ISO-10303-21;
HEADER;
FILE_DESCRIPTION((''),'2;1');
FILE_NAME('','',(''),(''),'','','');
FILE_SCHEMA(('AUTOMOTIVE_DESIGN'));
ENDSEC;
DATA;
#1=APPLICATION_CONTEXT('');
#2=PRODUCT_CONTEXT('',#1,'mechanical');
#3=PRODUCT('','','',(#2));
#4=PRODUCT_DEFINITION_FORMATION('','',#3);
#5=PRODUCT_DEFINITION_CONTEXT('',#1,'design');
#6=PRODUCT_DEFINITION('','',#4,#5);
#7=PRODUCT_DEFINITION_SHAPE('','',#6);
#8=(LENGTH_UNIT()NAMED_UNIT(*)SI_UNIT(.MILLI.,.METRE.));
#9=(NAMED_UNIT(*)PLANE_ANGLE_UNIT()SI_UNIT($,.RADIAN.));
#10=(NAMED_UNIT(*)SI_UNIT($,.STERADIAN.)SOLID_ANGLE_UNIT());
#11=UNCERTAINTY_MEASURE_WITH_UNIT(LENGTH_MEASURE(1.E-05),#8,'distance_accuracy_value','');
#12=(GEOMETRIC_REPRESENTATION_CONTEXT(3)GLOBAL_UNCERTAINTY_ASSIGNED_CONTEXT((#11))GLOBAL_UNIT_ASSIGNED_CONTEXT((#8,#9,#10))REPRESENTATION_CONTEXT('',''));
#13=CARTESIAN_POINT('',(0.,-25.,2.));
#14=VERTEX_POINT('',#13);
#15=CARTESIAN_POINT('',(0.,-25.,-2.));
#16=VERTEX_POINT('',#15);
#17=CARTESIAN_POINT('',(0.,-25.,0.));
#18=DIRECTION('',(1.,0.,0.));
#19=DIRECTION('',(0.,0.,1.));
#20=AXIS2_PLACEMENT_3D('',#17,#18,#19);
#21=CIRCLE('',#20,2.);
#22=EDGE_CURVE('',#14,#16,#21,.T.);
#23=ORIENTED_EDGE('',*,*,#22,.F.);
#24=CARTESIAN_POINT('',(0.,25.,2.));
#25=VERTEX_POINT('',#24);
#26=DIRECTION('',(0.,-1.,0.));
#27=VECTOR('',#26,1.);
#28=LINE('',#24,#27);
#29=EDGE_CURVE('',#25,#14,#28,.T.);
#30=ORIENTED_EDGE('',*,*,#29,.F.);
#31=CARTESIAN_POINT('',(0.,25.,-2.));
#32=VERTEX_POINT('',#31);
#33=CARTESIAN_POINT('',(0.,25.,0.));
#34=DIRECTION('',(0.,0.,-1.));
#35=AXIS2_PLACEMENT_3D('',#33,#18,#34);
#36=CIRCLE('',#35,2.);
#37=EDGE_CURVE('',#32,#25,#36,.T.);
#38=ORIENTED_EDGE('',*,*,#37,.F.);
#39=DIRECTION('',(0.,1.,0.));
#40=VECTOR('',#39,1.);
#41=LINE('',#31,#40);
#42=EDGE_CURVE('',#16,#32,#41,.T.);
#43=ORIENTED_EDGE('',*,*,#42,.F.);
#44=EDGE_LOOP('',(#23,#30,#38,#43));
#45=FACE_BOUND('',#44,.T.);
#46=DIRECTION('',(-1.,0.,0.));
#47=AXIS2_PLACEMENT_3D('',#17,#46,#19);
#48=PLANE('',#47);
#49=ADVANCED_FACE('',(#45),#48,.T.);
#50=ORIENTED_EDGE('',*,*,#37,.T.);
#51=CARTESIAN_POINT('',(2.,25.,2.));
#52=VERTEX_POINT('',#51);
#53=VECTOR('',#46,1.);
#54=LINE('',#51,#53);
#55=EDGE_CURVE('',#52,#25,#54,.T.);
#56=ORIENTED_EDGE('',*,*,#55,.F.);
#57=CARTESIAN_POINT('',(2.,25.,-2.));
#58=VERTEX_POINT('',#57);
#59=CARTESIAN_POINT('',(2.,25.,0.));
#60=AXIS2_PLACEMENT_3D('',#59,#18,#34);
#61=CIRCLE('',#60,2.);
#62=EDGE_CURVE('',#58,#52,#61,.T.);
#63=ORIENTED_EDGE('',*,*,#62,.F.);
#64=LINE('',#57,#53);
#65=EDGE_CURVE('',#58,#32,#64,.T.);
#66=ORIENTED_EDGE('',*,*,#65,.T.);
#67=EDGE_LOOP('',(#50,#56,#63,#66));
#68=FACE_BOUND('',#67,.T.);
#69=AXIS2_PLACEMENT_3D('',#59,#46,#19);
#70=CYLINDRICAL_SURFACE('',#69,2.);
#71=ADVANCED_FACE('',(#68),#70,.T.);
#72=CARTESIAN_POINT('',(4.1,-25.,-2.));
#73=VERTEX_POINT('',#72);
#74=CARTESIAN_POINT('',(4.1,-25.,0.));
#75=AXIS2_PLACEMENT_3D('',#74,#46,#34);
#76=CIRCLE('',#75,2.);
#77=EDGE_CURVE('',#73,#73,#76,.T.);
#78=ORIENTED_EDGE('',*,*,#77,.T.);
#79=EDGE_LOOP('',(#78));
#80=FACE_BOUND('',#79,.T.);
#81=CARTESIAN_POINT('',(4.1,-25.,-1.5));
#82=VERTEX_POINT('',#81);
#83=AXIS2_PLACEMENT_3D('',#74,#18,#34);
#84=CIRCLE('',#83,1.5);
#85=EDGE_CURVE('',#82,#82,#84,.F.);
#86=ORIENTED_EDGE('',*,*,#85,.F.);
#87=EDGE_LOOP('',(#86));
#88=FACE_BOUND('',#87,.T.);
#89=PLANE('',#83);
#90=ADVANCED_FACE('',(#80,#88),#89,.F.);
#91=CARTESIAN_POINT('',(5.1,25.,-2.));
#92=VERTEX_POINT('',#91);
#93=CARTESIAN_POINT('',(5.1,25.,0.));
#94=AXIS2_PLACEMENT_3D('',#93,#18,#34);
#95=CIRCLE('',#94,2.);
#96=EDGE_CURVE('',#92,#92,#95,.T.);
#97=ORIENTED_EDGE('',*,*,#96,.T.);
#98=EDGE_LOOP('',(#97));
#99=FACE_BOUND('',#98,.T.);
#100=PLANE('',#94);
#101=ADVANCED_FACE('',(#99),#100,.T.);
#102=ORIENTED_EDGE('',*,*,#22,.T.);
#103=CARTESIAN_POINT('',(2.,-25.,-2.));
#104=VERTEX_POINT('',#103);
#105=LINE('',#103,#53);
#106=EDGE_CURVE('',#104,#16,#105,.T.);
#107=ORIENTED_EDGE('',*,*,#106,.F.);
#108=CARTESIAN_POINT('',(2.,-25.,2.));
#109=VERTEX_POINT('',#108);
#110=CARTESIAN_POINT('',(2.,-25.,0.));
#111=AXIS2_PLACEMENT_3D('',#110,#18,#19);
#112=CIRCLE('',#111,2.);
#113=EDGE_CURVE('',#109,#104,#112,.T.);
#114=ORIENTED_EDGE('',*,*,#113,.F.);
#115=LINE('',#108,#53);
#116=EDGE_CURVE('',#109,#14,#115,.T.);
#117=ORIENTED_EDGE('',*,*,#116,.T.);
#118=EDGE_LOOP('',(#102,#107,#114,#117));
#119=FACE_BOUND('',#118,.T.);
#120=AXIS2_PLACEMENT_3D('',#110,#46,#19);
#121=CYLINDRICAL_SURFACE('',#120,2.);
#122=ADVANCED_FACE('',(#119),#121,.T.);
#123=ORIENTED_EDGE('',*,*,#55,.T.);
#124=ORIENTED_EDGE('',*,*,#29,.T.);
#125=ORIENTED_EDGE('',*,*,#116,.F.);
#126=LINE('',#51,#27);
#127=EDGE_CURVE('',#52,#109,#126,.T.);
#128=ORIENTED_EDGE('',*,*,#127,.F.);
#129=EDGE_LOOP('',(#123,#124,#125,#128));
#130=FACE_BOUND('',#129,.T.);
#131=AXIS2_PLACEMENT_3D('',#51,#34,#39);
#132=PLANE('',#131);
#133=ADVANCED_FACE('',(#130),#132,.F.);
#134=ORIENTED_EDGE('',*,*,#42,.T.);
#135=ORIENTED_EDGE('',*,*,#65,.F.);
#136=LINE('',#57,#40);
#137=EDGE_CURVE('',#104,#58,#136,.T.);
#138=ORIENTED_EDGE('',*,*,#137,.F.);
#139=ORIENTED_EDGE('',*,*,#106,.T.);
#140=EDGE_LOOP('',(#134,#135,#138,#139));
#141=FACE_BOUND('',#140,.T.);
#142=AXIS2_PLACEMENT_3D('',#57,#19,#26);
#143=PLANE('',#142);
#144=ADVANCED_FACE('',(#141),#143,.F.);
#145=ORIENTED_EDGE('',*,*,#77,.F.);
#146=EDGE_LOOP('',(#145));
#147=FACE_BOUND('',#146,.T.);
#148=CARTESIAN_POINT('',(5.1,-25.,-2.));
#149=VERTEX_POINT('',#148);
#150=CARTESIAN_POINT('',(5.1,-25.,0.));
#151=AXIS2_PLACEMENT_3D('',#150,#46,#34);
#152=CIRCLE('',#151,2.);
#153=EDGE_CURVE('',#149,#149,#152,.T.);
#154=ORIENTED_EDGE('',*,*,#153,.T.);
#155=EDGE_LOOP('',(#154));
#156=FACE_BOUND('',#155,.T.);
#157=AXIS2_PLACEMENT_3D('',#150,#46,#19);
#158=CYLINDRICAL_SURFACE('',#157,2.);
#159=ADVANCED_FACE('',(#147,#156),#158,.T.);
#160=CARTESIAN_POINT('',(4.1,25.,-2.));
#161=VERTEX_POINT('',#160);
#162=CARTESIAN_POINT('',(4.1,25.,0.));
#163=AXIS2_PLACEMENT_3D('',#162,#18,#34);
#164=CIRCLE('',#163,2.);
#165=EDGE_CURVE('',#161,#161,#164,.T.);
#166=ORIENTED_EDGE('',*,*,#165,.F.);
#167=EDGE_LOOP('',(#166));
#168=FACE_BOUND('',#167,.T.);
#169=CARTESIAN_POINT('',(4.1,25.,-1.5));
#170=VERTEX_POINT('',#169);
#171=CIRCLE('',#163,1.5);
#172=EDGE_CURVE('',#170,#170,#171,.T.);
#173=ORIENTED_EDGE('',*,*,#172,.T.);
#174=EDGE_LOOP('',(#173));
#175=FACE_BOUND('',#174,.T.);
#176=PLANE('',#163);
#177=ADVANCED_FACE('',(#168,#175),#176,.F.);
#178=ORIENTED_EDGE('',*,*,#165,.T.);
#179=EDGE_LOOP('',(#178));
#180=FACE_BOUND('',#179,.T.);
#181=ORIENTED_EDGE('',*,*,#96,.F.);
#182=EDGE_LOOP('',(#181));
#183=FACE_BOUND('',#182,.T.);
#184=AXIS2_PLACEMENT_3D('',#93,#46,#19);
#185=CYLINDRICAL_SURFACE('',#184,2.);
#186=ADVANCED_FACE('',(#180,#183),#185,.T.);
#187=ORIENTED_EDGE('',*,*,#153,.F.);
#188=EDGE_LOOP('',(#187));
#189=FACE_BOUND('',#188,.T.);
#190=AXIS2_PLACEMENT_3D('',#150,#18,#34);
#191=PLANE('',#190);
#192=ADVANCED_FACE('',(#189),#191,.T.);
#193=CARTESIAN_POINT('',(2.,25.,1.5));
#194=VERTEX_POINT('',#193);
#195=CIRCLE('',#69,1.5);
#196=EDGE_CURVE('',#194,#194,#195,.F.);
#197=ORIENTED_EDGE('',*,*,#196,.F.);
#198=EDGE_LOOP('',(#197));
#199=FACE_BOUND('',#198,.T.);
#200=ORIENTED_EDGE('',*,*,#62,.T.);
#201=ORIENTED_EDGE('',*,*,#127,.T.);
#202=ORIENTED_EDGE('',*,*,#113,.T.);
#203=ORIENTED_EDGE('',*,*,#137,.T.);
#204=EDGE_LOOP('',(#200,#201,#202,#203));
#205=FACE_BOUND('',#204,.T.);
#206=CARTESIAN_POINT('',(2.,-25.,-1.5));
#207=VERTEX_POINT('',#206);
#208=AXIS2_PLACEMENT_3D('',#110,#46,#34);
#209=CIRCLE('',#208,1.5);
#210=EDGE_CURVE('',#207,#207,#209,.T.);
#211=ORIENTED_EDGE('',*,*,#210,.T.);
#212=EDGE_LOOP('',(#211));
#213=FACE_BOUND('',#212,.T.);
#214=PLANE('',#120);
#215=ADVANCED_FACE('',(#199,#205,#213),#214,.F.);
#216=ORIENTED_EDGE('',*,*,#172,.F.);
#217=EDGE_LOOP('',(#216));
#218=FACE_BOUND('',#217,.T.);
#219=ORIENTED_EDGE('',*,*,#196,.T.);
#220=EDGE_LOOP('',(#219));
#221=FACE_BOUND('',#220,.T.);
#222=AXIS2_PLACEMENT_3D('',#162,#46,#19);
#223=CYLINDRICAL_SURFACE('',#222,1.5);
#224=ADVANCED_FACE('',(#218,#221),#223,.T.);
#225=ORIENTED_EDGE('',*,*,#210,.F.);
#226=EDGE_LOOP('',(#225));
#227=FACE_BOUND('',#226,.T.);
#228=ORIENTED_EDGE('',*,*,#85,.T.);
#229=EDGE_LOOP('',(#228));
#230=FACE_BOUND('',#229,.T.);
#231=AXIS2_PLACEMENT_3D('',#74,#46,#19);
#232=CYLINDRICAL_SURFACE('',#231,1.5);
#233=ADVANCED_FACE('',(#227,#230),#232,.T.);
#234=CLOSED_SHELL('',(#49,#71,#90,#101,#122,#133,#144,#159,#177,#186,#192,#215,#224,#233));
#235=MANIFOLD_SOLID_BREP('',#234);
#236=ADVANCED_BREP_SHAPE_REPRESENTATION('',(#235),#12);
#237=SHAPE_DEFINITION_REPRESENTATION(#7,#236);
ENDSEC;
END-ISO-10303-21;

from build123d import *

# Parameters (mm, degrees)
BASE_DEPTH         = 2
ESQUISSE2_R        = 1.5
BOSS_FIX_DEPTH     = 2.1
ESQUISSE3_R        = 2
BOSS_BLOCAGE_DEPTH = 1


with BuildPart() as part:
    # Esquisse1 → BASE (new body)
    with BuildSketch(Plane(origin=(0, 0, 0), x_dir=(0, 0, -1), z_dir=(1, 0, 0))):
        with BuildLine():
            Line((2, 25), (2, -25))
            ThreePointArc((2, -25), (0, -27), (-2, -25))
            Line((-2, -25), (-2, 25))
            ThreePointArc((-2, 25), (0, 27), (2, 25))
        make_face()
    extrude(amount=BASE_DEPTH)

    # Esquisse2 → BOSS FIX (add)
    with BuildSketch(Plane(origin=(2, 0, 0), x_dir=(0, 0, -1), z_dir=(1, 0, 0))):
        with Locations(Location((0, 25, 0), (0, 0, 180))):
            Circle(ESQUISSE2_R)
    boss_fix = extrude(amount=BOSS_FIX_DEPTH)

    # Esquisse3 → BOSS BLOCAGE (add)
    with BuildSketch(Plane(origin=(4.1, 0, 0), x_dir=(0, 0, -1), z_dir=(1, 0, 0))):
        with Locations((0, 25)):
            Circle(ESQUISSE3_R)
    boss_blocage = extrude(amount=BOSS_BLOCAGE_DEPTH)

    # SYM FIXATION: BOSS FIX, BOSS BLOCAGE across plane
    add(boss_fix.mirror(Plane.ZX))
    add(boss_blocage.mirror(Plane.ZX))


solid = part.part
